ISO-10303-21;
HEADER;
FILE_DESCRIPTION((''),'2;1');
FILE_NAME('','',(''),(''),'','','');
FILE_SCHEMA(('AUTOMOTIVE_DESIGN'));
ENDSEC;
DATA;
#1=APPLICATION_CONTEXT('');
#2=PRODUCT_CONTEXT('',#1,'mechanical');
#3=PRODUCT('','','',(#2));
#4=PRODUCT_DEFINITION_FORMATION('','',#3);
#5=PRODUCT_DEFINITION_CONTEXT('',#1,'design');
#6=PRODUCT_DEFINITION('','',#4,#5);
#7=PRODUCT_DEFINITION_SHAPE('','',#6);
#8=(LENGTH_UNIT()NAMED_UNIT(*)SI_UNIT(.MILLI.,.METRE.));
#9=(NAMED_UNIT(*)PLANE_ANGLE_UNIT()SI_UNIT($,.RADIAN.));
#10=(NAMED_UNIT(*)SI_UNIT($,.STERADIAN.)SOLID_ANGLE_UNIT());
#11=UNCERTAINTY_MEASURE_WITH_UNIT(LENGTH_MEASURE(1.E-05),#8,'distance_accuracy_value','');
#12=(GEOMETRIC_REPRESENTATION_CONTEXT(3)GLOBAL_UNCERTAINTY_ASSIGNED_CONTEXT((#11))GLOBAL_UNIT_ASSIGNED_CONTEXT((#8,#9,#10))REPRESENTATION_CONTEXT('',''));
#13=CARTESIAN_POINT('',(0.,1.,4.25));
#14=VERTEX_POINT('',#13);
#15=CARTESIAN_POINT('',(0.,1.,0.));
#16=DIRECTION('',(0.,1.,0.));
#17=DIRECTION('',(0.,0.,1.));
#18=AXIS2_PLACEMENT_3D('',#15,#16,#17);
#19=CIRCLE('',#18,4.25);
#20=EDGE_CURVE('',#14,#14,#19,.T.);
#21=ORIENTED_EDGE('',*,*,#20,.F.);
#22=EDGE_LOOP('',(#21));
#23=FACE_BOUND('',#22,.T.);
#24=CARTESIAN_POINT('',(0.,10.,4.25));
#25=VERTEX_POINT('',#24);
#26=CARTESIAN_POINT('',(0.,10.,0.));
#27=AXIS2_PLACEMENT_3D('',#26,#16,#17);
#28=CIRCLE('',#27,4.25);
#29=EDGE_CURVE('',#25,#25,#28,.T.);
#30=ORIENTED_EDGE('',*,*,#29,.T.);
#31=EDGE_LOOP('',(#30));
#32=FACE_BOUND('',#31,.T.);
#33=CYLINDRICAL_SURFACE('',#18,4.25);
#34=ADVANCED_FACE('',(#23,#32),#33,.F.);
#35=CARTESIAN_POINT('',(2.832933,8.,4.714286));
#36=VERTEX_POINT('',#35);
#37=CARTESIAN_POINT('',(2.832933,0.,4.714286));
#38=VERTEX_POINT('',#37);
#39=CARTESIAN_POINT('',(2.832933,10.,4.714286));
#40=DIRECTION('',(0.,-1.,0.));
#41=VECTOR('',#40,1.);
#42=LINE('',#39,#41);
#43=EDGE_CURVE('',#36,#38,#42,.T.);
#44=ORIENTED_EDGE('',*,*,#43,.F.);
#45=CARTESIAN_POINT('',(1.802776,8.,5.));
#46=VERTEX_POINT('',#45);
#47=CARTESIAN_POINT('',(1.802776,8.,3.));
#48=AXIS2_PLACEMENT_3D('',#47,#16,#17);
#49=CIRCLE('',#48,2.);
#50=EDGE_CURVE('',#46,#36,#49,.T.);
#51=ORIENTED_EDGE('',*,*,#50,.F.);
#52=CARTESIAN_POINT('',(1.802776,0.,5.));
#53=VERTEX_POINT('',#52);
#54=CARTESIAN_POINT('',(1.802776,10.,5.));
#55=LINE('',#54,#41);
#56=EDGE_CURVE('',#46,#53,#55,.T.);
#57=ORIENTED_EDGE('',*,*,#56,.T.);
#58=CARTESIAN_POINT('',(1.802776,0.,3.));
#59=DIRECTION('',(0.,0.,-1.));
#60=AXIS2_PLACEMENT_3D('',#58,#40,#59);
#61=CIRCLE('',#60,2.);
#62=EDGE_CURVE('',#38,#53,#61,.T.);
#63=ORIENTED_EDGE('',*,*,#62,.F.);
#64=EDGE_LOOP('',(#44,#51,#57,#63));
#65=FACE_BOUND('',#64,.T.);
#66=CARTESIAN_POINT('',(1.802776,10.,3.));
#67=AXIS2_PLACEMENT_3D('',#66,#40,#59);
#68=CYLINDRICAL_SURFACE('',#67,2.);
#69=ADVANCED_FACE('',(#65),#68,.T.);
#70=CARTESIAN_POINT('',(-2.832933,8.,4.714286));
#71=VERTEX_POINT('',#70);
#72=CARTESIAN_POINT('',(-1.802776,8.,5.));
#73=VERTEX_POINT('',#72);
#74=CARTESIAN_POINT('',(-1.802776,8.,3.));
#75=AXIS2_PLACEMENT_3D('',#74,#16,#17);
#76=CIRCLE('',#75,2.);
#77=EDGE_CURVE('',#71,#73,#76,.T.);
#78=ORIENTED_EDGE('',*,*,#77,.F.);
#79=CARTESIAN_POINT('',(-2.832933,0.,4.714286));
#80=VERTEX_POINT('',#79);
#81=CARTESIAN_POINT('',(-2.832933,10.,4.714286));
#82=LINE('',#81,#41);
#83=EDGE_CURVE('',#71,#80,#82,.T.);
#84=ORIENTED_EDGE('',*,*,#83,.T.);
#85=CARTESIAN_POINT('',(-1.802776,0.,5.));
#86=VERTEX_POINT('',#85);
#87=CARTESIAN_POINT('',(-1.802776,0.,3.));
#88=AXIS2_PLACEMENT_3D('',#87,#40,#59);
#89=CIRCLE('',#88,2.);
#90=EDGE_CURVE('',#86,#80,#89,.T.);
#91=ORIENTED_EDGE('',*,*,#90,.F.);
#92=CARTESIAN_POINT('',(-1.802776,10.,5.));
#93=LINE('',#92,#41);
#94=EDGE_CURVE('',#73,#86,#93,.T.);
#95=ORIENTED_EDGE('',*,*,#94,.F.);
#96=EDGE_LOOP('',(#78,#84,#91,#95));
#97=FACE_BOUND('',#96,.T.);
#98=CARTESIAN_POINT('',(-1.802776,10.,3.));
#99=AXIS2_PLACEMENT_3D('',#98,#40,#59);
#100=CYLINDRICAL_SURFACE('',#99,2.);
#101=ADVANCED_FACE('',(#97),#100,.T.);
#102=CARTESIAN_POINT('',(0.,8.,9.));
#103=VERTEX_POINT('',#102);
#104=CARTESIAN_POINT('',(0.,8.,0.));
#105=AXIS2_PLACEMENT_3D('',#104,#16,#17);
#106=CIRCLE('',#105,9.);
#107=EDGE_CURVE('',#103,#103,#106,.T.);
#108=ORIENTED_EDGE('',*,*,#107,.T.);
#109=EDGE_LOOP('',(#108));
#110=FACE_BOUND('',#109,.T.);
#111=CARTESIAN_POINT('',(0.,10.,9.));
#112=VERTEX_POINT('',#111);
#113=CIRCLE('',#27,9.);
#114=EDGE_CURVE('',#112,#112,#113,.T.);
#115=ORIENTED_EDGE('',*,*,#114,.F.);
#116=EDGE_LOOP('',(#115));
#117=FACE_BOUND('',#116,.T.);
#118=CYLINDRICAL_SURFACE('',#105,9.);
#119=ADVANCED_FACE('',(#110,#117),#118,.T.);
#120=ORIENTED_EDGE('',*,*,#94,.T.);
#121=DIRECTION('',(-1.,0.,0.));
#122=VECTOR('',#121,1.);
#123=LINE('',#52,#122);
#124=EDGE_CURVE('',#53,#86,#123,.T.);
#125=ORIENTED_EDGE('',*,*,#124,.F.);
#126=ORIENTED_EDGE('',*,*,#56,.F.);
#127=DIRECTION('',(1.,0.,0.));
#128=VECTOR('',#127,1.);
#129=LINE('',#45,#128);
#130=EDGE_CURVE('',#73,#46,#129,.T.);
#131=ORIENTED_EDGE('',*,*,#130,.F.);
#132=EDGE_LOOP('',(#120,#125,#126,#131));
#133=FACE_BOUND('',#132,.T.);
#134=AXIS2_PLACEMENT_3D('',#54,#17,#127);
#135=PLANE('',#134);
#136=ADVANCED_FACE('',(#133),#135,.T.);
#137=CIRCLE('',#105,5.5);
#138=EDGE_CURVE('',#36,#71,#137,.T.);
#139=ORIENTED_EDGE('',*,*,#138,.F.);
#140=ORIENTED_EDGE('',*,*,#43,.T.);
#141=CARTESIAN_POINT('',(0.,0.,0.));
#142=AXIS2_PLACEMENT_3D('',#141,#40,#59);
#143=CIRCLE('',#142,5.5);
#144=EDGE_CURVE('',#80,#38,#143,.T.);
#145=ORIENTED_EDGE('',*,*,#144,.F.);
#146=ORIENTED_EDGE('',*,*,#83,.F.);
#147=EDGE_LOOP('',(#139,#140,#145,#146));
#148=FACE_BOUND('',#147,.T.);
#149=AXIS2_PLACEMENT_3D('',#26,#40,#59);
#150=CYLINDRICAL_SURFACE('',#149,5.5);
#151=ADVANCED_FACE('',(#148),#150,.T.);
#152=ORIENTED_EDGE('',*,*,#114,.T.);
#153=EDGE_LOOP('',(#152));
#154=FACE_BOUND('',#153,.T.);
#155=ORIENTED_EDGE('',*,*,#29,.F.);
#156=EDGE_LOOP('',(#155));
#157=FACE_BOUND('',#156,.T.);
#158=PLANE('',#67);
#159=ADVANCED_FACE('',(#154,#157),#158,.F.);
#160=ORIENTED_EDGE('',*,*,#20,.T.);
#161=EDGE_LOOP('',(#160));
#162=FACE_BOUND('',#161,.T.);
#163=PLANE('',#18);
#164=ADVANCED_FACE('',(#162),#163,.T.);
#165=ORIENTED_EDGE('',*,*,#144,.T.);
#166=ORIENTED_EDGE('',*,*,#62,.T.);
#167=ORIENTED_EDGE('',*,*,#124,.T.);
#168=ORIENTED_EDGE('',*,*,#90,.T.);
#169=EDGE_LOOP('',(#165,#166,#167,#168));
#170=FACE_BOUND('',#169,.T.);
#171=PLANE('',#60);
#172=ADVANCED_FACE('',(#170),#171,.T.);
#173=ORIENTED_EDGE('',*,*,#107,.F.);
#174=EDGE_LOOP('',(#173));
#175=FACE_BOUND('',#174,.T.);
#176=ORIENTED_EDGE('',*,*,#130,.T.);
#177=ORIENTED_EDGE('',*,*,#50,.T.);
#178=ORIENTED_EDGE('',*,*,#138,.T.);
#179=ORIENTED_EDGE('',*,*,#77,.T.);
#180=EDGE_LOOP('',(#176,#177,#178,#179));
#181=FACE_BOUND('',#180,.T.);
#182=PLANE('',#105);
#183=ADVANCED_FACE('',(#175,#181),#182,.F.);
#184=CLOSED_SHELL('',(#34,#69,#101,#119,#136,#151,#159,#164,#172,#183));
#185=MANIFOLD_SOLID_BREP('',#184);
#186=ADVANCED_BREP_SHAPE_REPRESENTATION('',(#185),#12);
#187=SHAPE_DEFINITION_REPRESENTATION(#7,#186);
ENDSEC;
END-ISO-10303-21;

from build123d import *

# Parameters (mm, degrees)
BOSS_EXTRUDE1_DEPTH = 10
SKETCH2_R           = 4.25
CUT_EXTRUDE1_DEPTH  = 9
BOSS_EXTRUDE2_START = -2
SKETCH3_R           = 9
BOSS_EXTRUDE2_DEPTH = 2


with BuildPart() as part:
    # Sketch1 → Boss-Extrude1 (new body)
    with BuildSketch(Plane(origin=(0, 0, 0), x_dir=(1, 0, 0), z_dir=(0, 1, 0))):
        with BuildLine():
            Line((1.802775638, -5), (-1.802775638, -5))
            ThreePointArc((-1.802775638, -5), (-2.337298122, -4.927248223), (-2.832933145, -4.714285714))
            ThreePointArc((-2.832933145, -4.714285714), (0, 5.5), (2.832933145, -4.714285714))
            ThreePointArc((2.832933145, -4.714285714), (2.337298122, -4.927248223), (1.802775638, -5))
        make_face()
    extrude(amount=BOSS_EXTRUDE1_DEPTH)

    # Sketch2 → Cut-Extrude1 (cut)
    with BuildSketch(Plane(origin=(0, 10, 0), x_dir=(1, 0, 0), z_dir=(0, 1, 0))):
        with Locations(Location((0, 0, 0), (0, 0, 270))):
            Circle(SKETCH2_R)
    extrude(amount=-CUT_EXTRUDE1_DEPTH, mode=Mode.SUBTRACT)

    # Sketch3 → Boss-Extrude2 (add)
    with BuildSketch(Plane(origin=(0, 10, 0), x_dir=(1, 0, 0), z_dir=(0, 1, 0)).offset(BOSS_EXTRUDE2_START)):
        with Locations(Location((0, 0, 0), (0, 0, 270))):
            Circle(SKETCH3_R)
        with BuildLine():
            Line((1.802775638, -5), (-1.802775638, -5))
            ThreePointArc((-1.802775638, -5), (-2.337298122, -4.927248223), (-2.832933145, -4.714285714))
            ThreePointArc((-2.832933145, -4.714285714), (0, 5.5), (2.832933145, -4.714285714))
            ThreePointArc((2.832933145, -4.714285714), (2.337298122, -4.927248223), (1.802775638, -5))
        make_face(mode=Mode.SUBTRACT)
    extrude(amount=BOSS_EXTRUDE2_DEPTH)


solid = part.part
